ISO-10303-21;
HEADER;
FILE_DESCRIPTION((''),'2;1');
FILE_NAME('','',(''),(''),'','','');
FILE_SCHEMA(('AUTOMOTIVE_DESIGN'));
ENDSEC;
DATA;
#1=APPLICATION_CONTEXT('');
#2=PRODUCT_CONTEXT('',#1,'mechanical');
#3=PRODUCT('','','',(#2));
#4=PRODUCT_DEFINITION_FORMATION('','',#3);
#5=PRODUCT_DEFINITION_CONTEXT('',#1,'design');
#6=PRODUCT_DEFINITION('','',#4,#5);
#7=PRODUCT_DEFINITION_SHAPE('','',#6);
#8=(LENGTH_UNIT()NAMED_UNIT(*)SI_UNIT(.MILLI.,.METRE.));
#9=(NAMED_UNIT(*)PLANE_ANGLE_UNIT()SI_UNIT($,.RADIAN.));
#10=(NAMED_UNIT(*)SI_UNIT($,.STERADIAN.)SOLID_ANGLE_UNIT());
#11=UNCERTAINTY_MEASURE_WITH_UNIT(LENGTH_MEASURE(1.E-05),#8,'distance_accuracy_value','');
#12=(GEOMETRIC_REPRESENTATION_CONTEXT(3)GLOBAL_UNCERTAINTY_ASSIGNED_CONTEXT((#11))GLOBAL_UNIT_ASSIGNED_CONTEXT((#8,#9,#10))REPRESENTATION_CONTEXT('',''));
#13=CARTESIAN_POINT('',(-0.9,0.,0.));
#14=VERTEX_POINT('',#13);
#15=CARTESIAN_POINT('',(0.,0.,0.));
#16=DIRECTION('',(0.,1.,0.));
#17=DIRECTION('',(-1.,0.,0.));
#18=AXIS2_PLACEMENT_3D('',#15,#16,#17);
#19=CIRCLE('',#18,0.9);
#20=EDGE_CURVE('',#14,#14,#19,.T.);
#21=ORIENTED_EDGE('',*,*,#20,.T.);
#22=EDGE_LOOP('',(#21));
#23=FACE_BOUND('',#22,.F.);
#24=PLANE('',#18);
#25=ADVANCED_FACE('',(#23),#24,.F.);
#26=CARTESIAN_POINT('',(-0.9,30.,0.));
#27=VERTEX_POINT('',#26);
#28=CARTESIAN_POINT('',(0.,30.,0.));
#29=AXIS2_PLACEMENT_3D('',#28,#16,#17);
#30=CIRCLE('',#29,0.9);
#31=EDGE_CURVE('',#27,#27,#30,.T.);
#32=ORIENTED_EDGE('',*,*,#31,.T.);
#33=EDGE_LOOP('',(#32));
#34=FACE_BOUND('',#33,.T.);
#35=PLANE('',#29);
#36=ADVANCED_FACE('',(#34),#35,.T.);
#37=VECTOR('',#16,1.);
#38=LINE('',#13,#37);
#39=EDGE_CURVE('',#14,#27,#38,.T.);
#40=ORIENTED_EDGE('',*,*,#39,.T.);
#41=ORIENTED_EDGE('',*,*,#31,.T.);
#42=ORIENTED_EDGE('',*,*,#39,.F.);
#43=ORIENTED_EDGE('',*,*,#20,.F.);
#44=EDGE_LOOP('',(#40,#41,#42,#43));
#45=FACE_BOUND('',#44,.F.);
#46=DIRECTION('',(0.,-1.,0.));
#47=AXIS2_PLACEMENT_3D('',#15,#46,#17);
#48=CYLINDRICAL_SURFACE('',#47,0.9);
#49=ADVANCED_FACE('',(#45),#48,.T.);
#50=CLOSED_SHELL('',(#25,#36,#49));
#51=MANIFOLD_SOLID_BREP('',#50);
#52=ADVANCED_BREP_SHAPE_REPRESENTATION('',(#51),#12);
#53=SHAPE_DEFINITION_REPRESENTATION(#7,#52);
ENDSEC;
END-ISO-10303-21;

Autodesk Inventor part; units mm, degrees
ref_plane "YZ Plane" through (0, 0, 0) normal (1, 0, 0) x (0, 1, 0)
ref_plane "XZ Plane" through (0, 0, 0) normal (0, 1, 0) x (-1, 0, 0)
ref_plane "XY Plane" through (0, 0, 0) normal (0, 0, 1) x (1, 0, 0)
sketch "Sketch1" plane through (0, 0, 0) normal (0, 1, 0) x (-1, 0, 0)
  circle A0 centre (0, 0) radius 0.9
  dimension "d0" = 1.8
extrude "Extrusion1" add sketch "Sketch1" along normal blind 30
properties part number "MaparoSensores"
